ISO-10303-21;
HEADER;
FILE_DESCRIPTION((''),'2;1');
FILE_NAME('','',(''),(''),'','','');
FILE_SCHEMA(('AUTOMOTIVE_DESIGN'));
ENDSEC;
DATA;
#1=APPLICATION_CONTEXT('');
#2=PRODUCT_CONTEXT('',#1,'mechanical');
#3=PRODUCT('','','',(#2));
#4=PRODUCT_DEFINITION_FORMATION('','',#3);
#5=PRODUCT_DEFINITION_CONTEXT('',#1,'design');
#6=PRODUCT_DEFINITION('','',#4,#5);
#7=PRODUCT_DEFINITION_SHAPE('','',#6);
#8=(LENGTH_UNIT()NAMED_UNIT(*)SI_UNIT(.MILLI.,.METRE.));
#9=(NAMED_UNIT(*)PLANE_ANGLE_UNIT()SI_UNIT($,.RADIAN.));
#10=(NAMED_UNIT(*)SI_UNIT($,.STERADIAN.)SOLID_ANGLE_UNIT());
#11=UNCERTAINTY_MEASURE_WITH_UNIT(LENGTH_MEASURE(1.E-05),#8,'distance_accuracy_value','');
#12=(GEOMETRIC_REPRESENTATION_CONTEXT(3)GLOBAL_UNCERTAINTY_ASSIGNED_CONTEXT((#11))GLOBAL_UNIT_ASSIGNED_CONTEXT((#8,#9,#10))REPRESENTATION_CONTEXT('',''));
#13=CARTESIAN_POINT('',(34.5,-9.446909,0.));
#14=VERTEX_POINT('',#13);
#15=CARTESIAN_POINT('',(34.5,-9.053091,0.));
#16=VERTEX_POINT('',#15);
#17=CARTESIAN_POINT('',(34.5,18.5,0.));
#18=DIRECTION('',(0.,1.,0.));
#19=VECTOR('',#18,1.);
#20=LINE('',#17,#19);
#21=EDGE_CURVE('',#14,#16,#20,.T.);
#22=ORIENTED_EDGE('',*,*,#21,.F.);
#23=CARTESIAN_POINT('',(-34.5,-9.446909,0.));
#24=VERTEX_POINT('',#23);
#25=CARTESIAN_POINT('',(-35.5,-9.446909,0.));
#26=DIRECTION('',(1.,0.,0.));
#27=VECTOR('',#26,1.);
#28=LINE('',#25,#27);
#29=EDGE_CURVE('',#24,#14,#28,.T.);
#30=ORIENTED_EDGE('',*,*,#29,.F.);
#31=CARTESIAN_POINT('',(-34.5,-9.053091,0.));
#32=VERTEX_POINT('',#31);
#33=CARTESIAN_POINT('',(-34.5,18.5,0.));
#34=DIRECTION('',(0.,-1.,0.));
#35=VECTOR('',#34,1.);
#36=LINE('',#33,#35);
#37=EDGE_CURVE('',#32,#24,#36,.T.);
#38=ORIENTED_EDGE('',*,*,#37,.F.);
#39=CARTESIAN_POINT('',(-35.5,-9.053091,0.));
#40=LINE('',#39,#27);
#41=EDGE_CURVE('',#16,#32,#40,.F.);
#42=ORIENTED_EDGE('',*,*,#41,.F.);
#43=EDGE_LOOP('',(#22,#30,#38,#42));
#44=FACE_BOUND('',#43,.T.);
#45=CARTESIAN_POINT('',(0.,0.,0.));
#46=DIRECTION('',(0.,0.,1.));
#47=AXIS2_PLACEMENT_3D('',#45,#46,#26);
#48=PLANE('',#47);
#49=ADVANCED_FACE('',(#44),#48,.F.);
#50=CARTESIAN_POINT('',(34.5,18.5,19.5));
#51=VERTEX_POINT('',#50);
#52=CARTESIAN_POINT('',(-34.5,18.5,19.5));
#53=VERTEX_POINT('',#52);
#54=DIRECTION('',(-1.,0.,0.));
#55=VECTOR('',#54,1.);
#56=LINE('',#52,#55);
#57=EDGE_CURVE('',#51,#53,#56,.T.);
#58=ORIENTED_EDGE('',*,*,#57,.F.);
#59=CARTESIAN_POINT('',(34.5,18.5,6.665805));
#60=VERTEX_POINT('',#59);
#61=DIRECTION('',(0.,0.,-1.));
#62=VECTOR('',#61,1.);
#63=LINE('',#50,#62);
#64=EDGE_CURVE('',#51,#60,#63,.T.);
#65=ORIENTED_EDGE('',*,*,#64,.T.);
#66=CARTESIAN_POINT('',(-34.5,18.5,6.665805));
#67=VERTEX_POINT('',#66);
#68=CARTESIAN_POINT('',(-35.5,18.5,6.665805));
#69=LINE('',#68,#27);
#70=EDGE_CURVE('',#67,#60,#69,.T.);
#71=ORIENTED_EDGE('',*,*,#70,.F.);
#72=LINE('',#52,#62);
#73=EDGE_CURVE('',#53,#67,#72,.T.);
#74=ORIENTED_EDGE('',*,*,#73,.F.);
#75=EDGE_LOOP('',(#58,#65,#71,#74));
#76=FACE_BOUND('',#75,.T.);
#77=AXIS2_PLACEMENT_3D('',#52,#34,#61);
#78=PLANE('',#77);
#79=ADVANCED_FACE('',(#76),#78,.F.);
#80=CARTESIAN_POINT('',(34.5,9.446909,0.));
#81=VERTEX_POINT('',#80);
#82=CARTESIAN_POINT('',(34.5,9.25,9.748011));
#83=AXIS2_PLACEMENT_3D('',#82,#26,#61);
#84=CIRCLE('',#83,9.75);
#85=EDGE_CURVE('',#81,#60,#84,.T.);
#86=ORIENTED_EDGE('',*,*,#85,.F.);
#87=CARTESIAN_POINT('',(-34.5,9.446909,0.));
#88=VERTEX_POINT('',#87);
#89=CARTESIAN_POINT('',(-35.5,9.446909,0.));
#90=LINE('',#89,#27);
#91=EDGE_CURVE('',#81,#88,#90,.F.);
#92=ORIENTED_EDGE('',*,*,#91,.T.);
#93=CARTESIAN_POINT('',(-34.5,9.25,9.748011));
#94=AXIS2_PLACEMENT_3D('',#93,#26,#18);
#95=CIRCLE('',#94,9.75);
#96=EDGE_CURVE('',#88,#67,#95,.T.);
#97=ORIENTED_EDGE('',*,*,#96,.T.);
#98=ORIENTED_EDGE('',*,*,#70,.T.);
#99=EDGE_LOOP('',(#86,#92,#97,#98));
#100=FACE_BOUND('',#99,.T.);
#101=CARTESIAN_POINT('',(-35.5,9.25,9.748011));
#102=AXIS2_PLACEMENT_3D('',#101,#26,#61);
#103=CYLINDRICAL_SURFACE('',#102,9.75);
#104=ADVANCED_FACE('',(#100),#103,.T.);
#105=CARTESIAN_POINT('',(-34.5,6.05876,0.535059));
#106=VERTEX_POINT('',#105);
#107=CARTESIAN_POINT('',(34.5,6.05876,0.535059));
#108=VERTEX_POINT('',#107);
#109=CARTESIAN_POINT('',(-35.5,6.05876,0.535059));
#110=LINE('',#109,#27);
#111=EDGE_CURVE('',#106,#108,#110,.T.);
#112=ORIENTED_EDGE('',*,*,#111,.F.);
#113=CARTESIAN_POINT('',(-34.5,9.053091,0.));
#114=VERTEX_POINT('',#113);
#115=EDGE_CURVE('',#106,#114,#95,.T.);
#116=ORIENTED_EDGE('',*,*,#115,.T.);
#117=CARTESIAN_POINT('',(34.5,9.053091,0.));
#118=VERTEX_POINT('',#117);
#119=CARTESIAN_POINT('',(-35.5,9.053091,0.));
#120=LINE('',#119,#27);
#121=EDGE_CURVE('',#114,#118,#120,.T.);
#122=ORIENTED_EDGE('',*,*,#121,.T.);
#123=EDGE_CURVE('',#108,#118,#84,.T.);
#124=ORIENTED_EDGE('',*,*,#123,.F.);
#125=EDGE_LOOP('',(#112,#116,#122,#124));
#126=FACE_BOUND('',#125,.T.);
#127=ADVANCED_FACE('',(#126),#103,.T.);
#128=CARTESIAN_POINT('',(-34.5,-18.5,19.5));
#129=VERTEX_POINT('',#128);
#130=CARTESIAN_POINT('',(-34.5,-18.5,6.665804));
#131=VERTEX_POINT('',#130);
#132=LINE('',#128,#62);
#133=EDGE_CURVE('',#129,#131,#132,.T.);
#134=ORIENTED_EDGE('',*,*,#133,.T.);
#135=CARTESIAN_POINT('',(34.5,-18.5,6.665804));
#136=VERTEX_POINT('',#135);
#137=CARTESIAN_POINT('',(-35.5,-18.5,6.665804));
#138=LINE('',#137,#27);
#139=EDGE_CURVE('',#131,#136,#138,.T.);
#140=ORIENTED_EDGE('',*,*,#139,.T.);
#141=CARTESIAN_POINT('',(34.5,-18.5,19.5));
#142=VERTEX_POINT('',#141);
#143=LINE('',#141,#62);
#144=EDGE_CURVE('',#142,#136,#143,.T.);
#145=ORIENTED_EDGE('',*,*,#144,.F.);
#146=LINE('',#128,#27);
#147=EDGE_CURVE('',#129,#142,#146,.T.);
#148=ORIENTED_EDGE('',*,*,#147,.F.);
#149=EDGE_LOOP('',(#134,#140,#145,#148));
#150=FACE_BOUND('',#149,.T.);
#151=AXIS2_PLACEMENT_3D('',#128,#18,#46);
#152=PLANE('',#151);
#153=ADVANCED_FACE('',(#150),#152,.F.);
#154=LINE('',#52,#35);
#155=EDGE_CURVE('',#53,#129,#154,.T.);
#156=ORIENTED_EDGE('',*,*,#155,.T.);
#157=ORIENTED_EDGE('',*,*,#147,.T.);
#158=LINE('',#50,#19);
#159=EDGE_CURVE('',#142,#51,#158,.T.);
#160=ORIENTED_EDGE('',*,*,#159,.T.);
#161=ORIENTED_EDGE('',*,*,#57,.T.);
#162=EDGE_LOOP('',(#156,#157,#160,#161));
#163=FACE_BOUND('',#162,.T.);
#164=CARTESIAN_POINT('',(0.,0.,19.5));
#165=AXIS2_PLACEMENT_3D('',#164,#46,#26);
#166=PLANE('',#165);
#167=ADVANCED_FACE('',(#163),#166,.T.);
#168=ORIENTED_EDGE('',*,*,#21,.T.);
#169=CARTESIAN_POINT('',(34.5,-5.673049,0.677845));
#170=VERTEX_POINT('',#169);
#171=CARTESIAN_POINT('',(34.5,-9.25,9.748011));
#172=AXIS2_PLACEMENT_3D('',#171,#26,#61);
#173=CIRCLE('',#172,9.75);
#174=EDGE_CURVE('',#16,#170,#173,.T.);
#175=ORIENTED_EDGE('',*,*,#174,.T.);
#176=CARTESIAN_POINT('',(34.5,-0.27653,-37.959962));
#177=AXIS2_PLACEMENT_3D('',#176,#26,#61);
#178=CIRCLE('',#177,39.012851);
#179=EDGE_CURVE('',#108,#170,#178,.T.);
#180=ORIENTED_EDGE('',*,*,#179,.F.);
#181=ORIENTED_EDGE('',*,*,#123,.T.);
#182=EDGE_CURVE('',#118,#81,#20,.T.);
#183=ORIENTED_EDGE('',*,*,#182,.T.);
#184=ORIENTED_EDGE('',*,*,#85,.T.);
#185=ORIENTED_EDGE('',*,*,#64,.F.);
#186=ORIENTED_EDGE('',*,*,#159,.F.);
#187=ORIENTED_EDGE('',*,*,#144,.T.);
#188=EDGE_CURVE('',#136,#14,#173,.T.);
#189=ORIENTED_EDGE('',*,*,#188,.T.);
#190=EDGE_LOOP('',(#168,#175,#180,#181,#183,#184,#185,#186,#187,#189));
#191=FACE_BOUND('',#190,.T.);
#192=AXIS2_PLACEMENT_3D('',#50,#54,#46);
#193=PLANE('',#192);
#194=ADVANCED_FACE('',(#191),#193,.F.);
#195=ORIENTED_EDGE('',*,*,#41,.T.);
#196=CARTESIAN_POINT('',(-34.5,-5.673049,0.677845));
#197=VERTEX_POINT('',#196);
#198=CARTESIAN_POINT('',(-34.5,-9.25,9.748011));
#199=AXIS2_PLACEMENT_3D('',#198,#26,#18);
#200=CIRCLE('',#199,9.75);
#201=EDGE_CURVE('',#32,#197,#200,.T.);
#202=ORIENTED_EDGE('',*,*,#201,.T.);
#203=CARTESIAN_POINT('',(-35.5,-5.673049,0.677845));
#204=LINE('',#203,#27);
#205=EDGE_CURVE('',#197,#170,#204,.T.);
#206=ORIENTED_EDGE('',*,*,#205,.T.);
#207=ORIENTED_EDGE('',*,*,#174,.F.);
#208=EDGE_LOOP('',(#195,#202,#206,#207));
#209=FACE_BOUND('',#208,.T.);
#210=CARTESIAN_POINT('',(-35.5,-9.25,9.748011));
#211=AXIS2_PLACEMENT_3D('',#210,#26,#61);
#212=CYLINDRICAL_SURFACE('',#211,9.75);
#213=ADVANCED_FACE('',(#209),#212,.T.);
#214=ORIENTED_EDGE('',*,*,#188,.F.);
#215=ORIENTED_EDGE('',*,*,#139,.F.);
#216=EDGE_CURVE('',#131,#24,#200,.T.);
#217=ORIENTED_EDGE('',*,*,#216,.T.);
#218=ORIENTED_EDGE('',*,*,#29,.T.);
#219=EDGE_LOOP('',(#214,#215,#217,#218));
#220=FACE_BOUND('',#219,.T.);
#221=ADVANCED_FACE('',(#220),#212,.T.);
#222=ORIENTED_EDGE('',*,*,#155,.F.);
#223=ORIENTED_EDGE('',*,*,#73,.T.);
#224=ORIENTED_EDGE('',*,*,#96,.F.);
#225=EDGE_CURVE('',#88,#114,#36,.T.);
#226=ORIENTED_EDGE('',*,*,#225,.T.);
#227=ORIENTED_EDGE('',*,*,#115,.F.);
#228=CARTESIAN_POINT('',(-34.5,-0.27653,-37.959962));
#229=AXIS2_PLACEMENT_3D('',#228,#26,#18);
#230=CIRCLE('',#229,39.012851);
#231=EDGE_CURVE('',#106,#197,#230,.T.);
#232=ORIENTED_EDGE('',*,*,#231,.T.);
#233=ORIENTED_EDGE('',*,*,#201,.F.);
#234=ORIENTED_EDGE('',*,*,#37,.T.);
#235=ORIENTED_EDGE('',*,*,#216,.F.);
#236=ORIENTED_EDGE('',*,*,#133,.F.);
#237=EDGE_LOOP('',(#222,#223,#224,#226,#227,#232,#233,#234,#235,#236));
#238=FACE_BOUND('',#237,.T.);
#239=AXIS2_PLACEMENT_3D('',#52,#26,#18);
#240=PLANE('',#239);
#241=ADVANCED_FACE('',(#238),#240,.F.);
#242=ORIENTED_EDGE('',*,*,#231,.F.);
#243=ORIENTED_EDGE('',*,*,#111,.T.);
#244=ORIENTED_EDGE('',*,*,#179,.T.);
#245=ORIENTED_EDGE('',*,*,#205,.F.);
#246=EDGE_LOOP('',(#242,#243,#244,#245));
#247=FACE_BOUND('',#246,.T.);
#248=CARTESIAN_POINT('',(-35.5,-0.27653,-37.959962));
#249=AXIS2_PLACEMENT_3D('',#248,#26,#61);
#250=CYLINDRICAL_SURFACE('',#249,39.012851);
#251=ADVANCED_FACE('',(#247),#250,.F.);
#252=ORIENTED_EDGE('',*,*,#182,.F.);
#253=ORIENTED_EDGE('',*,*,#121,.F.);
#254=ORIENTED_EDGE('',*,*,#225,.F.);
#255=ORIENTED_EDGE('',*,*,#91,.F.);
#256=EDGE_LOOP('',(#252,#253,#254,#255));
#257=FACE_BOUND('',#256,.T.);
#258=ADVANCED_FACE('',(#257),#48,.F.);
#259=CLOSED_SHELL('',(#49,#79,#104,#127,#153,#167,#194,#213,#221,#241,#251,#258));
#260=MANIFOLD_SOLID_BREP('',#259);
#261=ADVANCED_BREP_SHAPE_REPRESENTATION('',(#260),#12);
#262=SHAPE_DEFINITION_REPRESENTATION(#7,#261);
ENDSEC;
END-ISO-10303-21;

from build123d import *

# Parameters (mm, degrees)
CROQUIS1_W              = 69
CROQUIS1_H              = 37
SALIENTE_EXTRUIR1_DEPTH = 19.5
CORTAR_EXTRUIR3_DEPTH   = 70


with BuildPart() as part:
    # Croquis1 → Saliente-Extruir1 (new body)
    with BuildSketch(Plane.XY):
        Rectangle(CROQUIS1_W, CROQUIS1_H)
    extrude(amount=SALIENTE_EXTRUIR1_DEPTH)

    # Croquis2 → Cortar-Extruir3 (cut)
    with BuildSketch(Plane(origin=(34.5, 0, 0), x_dir=(0, 0, -1), z_dir=(1, 0, 0))):
        with BuildLine():
            Line((0, 18.5), (-6.665805067, 18.5))
            ThreePointArc((-6.665805067, 18.5), (-1.896690737, 15.030939451), (0, 9.446908932))
            Line((0, 9.446908932), (0, 18.5))
        make_face()
        with BuildLine():
            Line((0, -9.053091068), (0, 9.053090641))
            ThreePointArc((0, 9.053090641), (-0.150040841, 7.534931091), (-0.535059254, 6.058759862))
            ThreePointArc((-0.535059254, 6.058759862), (-1.05, 0.19825397), (-0.677845098, -5.673048612))
            ThreePointArc((-0.677845098, -5.673048612), (-0.18835007, -7.332873528), (0, -9.053091068))
        make_face()
        with BuildLine():
            ThreePointArc((0, -9.446909359), (-1.896690336, -15.030939334), (-6.665803784, -18.5))
            Line((-6.665803784, -18.5), (0, -18.5))
            Line((0, -18.5), (0, -9.446909359))
        make_face()
    extrude(amount=-CORTAR_EXTRUIR3_DEPTH, mode=Mode.SUBTRACT)


solid = part.part
